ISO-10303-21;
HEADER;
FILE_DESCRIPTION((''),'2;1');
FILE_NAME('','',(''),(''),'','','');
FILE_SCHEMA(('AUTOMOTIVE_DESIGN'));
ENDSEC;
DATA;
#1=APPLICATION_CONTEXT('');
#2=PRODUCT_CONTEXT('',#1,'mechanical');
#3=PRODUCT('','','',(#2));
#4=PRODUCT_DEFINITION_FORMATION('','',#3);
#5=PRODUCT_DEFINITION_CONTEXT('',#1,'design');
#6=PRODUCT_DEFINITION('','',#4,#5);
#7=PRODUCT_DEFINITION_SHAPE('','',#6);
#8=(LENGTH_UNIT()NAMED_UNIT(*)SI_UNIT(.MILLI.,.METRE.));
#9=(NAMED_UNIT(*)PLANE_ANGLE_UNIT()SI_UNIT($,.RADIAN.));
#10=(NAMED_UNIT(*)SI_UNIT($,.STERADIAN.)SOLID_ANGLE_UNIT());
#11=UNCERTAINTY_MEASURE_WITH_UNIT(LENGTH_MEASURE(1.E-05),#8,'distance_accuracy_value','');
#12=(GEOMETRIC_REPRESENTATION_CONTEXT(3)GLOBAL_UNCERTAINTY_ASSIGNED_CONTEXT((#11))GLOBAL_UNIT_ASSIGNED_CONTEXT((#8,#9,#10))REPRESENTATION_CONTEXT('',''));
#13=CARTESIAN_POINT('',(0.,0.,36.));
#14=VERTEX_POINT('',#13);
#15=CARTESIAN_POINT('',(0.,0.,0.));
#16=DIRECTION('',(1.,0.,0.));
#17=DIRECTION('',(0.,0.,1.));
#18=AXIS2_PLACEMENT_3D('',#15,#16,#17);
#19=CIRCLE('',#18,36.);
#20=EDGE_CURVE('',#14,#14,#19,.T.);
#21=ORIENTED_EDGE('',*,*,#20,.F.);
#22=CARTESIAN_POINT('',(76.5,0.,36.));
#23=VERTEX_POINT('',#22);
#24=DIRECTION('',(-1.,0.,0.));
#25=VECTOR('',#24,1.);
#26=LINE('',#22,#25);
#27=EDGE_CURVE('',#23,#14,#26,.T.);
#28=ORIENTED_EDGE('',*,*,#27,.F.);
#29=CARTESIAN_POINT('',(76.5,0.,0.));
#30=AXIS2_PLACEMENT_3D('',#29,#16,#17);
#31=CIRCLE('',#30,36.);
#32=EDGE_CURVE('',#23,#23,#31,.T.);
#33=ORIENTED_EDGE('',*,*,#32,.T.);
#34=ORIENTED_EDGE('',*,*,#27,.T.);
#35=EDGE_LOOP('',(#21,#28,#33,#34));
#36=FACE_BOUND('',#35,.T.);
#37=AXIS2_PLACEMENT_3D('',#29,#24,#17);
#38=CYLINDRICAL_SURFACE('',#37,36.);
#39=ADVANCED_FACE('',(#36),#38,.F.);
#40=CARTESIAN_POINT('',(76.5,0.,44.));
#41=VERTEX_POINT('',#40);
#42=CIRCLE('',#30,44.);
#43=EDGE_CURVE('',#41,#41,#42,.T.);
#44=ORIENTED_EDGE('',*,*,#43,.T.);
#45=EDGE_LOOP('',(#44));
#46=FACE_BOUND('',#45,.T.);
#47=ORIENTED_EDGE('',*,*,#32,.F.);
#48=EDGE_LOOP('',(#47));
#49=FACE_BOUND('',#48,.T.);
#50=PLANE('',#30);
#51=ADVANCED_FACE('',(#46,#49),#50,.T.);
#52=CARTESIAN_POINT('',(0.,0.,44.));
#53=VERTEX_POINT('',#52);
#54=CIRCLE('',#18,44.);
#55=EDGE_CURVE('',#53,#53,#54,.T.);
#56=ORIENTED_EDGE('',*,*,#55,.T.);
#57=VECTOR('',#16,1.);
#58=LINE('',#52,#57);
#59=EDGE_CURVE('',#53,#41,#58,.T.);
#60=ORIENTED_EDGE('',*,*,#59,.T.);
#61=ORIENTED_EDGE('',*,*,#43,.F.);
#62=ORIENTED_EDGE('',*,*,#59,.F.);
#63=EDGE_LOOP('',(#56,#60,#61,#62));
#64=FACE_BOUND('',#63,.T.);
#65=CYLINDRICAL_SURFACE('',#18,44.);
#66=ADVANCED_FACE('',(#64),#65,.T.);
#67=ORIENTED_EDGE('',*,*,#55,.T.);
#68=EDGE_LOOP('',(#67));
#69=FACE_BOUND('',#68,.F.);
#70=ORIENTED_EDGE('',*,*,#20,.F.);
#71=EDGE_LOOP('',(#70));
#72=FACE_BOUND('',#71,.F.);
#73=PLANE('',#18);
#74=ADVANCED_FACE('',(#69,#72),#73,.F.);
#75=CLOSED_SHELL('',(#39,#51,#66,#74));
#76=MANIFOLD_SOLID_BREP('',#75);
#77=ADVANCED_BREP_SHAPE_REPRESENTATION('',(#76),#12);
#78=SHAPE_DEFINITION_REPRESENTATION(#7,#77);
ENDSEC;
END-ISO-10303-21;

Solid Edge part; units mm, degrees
sketch "Sketch1" plane through (0, 0, 0) normal (0, -1, 0) x (1, 0, 0)
  line L0 (76.5, 36) -> (0, 36)
  line L1 (0, 44) -> (0, 36)
  line L2 (0, 44) -> (76.5, 44)
  line L3 (76.5, 44) -> (76.5, 36)
revolve "RevolvedProtrusion1" add sketch "Sketch1" angle 360 about axis through (0, 0, 0) along (1, 0, 0)
